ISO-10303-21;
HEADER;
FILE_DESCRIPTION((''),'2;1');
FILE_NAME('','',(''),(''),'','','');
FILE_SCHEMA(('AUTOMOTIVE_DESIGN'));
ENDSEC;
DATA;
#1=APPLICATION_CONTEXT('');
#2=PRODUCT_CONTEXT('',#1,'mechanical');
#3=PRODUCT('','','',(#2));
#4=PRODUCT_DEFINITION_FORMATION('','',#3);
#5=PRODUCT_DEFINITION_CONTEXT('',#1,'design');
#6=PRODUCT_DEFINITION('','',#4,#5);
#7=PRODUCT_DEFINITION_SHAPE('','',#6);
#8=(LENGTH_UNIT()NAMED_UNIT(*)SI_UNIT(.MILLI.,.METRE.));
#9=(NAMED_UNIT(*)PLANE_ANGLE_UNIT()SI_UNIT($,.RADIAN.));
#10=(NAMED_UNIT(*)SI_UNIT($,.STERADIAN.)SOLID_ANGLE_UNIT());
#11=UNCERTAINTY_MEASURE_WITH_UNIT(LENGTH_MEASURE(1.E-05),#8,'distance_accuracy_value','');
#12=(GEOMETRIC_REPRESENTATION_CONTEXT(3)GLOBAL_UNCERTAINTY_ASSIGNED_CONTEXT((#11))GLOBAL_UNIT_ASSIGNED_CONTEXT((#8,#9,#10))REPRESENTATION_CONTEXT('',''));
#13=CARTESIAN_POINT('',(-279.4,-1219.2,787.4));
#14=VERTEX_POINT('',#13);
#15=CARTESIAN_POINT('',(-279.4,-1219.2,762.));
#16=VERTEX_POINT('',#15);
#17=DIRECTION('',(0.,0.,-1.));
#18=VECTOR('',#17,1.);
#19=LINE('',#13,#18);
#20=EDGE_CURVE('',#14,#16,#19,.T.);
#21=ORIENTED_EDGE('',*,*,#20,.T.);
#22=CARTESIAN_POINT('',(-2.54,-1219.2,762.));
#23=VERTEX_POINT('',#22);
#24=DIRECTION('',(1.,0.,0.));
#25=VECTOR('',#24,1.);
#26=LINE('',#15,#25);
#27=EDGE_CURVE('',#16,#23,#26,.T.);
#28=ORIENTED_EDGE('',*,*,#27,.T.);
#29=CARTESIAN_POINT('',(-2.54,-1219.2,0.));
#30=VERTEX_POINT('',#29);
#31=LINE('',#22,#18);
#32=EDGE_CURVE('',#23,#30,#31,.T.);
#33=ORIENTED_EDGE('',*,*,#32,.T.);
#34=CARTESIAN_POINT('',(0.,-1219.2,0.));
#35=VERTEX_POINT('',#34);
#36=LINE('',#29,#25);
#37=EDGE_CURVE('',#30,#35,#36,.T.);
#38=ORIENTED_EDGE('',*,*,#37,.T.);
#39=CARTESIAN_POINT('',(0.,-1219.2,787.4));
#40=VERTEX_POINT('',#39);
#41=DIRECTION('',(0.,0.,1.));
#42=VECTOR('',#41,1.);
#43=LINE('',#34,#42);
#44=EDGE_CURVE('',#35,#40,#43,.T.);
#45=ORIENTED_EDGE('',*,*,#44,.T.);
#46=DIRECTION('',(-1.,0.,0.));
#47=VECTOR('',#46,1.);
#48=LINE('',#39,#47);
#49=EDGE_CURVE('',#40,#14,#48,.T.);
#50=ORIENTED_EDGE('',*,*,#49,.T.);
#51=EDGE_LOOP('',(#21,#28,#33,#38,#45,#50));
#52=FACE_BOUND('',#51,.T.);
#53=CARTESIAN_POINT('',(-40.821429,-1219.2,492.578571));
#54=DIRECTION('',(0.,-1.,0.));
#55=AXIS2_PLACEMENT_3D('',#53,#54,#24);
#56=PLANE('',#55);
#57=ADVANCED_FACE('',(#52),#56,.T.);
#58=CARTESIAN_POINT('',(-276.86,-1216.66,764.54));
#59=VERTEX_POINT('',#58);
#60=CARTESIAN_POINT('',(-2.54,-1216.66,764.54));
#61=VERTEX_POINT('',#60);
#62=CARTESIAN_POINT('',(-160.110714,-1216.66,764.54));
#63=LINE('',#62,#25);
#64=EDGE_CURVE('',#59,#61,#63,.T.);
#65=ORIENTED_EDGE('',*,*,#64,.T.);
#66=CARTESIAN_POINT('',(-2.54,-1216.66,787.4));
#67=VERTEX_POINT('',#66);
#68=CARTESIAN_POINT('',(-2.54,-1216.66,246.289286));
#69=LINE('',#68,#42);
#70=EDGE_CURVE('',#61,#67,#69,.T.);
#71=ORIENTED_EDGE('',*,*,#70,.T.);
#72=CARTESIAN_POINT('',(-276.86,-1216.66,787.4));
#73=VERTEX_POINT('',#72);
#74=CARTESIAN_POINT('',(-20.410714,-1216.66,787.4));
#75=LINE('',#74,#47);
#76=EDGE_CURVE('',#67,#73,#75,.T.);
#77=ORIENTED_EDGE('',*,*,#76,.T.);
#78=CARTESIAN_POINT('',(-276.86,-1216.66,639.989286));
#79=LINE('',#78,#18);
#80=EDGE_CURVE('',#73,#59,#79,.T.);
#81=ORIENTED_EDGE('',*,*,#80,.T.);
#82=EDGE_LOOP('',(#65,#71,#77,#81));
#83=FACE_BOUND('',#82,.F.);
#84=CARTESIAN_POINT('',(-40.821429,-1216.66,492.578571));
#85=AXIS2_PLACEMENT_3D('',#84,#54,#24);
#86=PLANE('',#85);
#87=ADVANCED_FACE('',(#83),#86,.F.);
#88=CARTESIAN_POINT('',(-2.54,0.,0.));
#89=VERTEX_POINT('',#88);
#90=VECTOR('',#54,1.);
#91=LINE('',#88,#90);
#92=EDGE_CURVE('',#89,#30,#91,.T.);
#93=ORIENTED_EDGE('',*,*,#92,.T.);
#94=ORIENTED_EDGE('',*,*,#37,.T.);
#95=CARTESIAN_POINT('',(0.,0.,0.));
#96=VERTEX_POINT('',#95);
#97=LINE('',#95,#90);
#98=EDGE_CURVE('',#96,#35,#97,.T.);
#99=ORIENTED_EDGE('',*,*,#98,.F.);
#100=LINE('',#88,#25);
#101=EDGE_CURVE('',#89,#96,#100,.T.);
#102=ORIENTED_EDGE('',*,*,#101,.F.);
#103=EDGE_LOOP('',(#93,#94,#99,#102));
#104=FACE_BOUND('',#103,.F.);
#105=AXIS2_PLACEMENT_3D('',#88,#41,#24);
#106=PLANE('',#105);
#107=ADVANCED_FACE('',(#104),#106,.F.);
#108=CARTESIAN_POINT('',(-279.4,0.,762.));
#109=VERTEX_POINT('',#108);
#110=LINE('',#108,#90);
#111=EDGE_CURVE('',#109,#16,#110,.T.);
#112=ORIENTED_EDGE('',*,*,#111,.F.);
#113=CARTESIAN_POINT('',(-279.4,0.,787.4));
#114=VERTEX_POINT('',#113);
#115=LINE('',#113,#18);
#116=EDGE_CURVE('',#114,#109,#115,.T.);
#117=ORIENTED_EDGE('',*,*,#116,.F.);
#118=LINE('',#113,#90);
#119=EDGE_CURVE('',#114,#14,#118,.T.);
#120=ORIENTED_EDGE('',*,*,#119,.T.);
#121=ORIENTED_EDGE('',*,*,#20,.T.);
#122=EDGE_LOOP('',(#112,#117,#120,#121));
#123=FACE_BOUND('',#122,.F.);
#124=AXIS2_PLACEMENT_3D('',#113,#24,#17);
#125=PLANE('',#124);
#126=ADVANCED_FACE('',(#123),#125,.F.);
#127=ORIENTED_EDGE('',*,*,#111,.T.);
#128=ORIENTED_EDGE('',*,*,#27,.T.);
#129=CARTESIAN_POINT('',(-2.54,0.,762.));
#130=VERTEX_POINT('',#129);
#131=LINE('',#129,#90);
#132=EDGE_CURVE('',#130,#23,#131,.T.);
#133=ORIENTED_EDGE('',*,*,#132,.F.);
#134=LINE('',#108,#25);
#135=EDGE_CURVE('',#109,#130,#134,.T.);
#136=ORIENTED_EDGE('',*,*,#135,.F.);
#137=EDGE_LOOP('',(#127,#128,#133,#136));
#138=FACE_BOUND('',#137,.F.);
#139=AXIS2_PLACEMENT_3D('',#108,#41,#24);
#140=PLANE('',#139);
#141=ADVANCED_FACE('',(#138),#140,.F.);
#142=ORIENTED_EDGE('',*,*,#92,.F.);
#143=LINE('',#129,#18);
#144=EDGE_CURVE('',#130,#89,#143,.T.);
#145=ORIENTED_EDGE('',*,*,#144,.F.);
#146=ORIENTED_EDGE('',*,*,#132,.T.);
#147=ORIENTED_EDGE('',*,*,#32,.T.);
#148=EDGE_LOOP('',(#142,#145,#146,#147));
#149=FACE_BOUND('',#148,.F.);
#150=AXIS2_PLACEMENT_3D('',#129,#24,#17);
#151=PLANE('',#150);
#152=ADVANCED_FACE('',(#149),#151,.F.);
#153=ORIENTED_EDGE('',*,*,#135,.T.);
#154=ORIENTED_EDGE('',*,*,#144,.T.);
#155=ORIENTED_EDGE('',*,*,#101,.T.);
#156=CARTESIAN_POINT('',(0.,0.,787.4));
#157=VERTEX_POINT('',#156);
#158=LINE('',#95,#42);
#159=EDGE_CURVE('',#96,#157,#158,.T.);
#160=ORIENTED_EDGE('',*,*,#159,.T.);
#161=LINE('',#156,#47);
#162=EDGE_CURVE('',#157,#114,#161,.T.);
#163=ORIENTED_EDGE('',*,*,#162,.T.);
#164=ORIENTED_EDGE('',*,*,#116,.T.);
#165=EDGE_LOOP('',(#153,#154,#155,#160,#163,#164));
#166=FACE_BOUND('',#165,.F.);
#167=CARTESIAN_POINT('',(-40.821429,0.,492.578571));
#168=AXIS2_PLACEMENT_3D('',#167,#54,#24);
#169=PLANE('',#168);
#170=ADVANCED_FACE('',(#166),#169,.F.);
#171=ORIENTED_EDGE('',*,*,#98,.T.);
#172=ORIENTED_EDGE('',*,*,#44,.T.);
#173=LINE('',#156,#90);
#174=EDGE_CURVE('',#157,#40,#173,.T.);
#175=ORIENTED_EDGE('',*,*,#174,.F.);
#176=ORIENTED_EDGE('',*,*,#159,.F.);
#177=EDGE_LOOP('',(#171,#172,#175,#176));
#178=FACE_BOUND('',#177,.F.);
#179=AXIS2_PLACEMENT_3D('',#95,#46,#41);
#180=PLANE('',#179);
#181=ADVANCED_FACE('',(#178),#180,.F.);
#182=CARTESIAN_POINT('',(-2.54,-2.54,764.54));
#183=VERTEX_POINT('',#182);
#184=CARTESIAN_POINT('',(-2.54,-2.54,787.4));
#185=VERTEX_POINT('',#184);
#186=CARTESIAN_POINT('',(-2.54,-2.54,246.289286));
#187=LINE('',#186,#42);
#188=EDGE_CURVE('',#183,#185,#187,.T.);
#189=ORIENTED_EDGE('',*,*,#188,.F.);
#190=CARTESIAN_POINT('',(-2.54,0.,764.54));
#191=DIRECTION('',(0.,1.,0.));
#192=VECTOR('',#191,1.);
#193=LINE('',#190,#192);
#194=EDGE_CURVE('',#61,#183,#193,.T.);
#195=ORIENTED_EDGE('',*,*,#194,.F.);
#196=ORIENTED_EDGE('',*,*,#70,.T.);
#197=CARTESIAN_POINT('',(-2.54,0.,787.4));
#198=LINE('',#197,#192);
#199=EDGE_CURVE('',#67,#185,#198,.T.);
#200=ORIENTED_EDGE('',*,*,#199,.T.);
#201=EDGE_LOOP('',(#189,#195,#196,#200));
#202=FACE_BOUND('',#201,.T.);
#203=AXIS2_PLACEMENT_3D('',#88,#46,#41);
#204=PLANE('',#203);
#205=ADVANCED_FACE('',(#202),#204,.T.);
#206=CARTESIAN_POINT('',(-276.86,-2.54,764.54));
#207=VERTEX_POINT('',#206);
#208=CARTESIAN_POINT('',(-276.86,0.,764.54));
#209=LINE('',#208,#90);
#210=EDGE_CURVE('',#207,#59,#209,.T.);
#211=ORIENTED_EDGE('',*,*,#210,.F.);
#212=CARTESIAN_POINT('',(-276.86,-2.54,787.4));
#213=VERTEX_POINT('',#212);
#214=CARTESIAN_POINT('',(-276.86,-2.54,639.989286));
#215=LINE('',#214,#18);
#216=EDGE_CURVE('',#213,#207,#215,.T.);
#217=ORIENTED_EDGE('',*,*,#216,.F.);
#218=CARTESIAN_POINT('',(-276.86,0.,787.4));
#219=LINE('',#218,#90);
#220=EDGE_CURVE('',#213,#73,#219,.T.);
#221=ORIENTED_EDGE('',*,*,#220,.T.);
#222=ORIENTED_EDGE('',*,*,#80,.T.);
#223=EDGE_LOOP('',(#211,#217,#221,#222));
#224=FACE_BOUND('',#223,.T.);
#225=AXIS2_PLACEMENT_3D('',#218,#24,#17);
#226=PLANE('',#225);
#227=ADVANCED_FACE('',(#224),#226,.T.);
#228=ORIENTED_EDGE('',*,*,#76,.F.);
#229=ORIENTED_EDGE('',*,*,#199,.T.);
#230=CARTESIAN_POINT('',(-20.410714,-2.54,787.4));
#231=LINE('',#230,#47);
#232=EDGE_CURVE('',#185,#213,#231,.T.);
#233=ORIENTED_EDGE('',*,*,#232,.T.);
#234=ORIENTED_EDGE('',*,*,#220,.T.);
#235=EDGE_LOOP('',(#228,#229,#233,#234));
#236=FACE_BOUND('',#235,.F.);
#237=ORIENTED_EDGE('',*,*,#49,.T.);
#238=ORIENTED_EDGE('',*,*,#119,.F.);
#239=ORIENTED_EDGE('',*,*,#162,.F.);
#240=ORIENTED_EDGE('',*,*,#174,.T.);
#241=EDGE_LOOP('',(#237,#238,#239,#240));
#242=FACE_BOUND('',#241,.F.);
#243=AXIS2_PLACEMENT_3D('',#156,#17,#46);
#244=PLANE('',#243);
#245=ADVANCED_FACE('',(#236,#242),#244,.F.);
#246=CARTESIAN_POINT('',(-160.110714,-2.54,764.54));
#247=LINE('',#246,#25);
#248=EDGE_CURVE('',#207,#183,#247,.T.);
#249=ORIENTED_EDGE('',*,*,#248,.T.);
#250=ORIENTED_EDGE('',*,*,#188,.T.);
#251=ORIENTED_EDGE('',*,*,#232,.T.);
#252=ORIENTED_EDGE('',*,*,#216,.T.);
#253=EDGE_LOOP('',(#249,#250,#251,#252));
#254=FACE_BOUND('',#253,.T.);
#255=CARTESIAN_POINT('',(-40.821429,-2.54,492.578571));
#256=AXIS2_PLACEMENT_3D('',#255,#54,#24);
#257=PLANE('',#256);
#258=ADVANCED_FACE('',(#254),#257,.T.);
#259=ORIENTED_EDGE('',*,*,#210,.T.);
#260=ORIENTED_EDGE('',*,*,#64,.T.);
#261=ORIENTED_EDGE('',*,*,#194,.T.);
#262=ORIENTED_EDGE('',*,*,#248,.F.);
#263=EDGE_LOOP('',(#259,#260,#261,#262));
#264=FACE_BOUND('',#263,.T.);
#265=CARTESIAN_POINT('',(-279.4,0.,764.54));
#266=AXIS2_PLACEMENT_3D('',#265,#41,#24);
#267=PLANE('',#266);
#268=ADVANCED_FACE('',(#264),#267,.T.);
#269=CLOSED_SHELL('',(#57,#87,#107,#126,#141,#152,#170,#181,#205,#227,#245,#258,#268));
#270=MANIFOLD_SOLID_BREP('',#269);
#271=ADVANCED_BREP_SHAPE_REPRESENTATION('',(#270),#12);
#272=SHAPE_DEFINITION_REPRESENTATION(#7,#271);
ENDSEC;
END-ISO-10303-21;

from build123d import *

# Parameters (mm, degrees)
F1_DEPTH = 1219.2
F2_T     = -2.54


with BuildPart() as f1:
    # F0 (on Front) → F1 (new body)
    with BuildSketch(Plane.XZ):
        Polygon((-2.54, 0), (0, 0), (0, 787.4), (-279.4, 787.4), (-279.4, 762), (-2.54, 762), align=None)
    extrude(amount=F1_DEPTH)

    # F2
    f2_openings = [f1.faces().sort_by_distance(p)[0] for p in [
        (-139.7, -609.6, 787.4),
    ]]
    offset(amount=F2_T, openings=f2_openings, kind=Kind.INTERSECTION)


solid = f1.part
